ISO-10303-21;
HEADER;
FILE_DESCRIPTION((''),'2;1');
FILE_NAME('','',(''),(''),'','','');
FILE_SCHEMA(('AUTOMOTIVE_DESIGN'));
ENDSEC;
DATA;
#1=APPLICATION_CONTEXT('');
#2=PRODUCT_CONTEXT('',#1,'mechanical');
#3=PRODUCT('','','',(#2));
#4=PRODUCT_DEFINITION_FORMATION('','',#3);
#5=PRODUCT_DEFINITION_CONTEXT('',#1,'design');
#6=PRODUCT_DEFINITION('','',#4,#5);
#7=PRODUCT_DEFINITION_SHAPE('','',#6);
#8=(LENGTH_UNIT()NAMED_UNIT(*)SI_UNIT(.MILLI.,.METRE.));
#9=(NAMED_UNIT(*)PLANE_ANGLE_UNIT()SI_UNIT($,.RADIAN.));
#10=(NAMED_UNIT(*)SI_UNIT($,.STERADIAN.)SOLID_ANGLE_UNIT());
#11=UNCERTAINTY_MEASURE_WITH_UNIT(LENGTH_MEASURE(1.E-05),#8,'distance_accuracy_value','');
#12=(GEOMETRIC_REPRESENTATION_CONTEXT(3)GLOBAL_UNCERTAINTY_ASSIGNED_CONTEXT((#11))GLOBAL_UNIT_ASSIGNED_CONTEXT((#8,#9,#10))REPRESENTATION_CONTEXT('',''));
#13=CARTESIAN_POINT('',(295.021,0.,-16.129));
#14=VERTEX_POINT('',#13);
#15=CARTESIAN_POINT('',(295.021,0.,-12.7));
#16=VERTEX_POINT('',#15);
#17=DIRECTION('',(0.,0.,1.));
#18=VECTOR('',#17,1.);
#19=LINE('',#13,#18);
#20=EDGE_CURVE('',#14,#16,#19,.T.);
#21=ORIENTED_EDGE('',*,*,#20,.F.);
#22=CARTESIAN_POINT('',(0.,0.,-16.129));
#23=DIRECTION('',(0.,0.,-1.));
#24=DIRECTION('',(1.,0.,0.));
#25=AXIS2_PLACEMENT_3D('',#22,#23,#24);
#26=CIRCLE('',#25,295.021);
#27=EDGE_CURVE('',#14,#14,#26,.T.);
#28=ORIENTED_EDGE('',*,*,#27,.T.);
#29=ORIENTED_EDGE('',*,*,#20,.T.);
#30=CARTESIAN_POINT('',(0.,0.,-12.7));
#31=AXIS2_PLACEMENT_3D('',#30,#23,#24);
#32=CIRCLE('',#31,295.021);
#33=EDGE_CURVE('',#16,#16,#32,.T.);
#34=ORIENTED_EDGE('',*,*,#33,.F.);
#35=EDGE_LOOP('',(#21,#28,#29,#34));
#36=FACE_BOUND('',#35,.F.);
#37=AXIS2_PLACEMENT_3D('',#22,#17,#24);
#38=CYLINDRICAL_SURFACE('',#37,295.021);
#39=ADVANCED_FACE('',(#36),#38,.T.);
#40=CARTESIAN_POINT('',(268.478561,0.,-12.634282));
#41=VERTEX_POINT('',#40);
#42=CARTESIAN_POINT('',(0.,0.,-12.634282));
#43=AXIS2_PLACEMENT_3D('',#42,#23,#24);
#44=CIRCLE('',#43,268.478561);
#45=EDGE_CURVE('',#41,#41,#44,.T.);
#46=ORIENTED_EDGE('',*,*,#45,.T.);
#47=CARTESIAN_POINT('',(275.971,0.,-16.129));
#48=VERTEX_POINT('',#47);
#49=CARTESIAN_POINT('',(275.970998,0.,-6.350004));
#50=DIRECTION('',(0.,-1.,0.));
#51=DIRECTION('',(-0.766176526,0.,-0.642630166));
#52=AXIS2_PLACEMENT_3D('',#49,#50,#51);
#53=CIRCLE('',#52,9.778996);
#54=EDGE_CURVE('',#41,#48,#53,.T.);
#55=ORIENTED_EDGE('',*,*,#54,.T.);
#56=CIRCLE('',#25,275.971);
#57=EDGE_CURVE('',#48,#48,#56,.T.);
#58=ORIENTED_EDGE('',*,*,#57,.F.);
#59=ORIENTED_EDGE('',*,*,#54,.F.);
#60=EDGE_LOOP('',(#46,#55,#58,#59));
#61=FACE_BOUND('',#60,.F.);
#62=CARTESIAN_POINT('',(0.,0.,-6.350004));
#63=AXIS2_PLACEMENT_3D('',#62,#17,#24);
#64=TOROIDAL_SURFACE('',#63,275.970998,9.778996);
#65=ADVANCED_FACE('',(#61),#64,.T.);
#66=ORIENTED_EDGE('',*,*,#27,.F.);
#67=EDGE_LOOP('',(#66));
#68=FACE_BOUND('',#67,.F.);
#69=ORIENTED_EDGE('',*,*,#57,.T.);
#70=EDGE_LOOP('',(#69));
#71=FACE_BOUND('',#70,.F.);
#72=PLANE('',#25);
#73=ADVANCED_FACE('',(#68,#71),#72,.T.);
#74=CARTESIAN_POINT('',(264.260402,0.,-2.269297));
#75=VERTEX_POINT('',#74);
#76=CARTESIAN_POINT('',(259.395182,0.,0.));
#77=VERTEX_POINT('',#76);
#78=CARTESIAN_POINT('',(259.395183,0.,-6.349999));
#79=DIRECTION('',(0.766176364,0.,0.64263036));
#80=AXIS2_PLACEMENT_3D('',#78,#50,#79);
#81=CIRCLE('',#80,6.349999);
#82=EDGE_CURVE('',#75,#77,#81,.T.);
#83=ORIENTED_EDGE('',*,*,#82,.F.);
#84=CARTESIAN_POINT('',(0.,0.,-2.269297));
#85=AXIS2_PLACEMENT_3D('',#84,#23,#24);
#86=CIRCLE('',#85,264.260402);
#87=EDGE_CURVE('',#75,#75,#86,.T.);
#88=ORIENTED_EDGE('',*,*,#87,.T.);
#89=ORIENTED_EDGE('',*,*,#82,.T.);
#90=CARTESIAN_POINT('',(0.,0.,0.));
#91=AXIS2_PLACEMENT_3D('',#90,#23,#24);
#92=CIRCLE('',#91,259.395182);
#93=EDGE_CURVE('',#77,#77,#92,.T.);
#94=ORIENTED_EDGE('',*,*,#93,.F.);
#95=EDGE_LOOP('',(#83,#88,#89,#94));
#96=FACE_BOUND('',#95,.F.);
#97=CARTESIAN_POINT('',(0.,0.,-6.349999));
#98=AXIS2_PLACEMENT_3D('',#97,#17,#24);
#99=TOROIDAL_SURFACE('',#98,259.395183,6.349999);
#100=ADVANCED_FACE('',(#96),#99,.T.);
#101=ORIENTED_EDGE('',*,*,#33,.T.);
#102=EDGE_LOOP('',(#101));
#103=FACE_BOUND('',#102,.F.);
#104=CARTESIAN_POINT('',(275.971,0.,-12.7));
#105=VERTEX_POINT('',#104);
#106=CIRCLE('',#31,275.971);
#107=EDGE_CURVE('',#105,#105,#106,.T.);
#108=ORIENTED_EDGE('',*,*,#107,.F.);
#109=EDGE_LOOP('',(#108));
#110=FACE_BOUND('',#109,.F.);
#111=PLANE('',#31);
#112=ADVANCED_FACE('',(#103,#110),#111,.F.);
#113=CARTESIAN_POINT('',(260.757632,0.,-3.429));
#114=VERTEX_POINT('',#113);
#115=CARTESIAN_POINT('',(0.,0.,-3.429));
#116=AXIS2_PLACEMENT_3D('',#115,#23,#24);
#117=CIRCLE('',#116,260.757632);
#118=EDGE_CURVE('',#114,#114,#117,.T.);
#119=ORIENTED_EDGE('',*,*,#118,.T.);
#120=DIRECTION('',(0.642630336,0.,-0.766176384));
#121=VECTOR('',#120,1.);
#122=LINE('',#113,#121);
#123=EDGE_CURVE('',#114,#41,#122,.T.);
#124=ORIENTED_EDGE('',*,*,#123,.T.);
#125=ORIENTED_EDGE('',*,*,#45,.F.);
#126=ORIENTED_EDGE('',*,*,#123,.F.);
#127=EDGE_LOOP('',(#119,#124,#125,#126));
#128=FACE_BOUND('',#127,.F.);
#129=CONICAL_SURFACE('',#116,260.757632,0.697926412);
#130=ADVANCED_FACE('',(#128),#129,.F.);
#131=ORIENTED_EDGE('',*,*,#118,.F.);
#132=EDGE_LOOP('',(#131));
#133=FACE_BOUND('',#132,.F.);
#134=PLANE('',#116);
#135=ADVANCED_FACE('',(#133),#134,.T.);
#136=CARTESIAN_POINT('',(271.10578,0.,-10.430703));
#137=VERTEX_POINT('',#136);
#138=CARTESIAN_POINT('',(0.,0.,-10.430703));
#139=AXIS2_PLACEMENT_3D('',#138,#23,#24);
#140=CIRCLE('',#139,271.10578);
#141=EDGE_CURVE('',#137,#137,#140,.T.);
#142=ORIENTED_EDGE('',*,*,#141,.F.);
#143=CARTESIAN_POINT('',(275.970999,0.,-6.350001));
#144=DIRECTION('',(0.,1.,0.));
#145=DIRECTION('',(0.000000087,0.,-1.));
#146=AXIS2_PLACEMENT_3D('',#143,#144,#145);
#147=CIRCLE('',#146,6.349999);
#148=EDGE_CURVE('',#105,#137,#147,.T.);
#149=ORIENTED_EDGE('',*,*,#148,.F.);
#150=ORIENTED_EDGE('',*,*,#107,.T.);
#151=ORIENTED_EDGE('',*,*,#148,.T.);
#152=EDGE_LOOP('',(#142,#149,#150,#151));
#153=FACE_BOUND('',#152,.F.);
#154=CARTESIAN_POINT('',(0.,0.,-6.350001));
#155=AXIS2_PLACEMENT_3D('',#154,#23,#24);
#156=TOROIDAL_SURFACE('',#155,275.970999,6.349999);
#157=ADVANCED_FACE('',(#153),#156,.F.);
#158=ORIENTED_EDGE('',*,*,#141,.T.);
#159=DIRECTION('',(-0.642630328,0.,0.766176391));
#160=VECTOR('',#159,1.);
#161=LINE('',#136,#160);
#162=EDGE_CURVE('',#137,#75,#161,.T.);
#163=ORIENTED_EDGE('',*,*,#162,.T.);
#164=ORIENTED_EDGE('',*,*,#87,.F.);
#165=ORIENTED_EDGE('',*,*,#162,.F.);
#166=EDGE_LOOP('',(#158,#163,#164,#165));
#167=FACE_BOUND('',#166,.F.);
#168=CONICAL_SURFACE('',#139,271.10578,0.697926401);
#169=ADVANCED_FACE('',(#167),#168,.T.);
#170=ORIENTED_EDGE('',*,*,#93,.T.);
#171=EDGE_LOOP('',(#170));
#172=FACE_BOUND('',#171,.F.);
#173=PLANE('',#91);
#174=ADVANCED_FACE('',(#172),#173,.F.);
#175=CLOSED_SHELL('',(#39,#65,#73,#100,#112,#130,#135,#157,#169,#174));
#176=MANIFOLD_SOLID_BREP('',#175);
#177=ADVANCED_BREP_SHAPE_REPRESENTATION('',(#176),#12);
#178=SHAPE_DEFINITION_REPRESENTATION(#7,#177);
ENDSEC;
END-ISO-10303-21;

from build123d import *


with BuildPart() as f1:
    # F0 (on Front) → F1 (revolve)
    with BuildSketch(Plane.XZ):
        with BuildLine():
            Line((259.395182, 0), (0, 0))
            Line((0, 0), (0, -3.429))
            Line((0, -3.429), (260.757632, -3.429))
            Line((260.757632, -3.429), (268.478561, -12.634282))
            ThreePointArc((268.478561, -12.634282), (271.837306, -15.21236), (275.971, -16.129))
            Line((275.971, -16.129), (295.021, -16.129))
            Line((295.021, -16.129), (295.021, -12.7))
            Line((295.021, -12.7), (275.971, -12.7))
            ThreePointArc((275.971, -12.7), (273.286783, -12.104779), (271.10578, -10.430703))
            Line((271.10578, -10.430703), (264.260402, -2.269297))
            ThreePointArc((264.260402, -2.269297), (262.079399, -0.595221), (259.395182, 0))
        make_face()
    revolve(axis=Axis((0, 0, -1.7145), (0, 0, -1)))


solid = f1.part
